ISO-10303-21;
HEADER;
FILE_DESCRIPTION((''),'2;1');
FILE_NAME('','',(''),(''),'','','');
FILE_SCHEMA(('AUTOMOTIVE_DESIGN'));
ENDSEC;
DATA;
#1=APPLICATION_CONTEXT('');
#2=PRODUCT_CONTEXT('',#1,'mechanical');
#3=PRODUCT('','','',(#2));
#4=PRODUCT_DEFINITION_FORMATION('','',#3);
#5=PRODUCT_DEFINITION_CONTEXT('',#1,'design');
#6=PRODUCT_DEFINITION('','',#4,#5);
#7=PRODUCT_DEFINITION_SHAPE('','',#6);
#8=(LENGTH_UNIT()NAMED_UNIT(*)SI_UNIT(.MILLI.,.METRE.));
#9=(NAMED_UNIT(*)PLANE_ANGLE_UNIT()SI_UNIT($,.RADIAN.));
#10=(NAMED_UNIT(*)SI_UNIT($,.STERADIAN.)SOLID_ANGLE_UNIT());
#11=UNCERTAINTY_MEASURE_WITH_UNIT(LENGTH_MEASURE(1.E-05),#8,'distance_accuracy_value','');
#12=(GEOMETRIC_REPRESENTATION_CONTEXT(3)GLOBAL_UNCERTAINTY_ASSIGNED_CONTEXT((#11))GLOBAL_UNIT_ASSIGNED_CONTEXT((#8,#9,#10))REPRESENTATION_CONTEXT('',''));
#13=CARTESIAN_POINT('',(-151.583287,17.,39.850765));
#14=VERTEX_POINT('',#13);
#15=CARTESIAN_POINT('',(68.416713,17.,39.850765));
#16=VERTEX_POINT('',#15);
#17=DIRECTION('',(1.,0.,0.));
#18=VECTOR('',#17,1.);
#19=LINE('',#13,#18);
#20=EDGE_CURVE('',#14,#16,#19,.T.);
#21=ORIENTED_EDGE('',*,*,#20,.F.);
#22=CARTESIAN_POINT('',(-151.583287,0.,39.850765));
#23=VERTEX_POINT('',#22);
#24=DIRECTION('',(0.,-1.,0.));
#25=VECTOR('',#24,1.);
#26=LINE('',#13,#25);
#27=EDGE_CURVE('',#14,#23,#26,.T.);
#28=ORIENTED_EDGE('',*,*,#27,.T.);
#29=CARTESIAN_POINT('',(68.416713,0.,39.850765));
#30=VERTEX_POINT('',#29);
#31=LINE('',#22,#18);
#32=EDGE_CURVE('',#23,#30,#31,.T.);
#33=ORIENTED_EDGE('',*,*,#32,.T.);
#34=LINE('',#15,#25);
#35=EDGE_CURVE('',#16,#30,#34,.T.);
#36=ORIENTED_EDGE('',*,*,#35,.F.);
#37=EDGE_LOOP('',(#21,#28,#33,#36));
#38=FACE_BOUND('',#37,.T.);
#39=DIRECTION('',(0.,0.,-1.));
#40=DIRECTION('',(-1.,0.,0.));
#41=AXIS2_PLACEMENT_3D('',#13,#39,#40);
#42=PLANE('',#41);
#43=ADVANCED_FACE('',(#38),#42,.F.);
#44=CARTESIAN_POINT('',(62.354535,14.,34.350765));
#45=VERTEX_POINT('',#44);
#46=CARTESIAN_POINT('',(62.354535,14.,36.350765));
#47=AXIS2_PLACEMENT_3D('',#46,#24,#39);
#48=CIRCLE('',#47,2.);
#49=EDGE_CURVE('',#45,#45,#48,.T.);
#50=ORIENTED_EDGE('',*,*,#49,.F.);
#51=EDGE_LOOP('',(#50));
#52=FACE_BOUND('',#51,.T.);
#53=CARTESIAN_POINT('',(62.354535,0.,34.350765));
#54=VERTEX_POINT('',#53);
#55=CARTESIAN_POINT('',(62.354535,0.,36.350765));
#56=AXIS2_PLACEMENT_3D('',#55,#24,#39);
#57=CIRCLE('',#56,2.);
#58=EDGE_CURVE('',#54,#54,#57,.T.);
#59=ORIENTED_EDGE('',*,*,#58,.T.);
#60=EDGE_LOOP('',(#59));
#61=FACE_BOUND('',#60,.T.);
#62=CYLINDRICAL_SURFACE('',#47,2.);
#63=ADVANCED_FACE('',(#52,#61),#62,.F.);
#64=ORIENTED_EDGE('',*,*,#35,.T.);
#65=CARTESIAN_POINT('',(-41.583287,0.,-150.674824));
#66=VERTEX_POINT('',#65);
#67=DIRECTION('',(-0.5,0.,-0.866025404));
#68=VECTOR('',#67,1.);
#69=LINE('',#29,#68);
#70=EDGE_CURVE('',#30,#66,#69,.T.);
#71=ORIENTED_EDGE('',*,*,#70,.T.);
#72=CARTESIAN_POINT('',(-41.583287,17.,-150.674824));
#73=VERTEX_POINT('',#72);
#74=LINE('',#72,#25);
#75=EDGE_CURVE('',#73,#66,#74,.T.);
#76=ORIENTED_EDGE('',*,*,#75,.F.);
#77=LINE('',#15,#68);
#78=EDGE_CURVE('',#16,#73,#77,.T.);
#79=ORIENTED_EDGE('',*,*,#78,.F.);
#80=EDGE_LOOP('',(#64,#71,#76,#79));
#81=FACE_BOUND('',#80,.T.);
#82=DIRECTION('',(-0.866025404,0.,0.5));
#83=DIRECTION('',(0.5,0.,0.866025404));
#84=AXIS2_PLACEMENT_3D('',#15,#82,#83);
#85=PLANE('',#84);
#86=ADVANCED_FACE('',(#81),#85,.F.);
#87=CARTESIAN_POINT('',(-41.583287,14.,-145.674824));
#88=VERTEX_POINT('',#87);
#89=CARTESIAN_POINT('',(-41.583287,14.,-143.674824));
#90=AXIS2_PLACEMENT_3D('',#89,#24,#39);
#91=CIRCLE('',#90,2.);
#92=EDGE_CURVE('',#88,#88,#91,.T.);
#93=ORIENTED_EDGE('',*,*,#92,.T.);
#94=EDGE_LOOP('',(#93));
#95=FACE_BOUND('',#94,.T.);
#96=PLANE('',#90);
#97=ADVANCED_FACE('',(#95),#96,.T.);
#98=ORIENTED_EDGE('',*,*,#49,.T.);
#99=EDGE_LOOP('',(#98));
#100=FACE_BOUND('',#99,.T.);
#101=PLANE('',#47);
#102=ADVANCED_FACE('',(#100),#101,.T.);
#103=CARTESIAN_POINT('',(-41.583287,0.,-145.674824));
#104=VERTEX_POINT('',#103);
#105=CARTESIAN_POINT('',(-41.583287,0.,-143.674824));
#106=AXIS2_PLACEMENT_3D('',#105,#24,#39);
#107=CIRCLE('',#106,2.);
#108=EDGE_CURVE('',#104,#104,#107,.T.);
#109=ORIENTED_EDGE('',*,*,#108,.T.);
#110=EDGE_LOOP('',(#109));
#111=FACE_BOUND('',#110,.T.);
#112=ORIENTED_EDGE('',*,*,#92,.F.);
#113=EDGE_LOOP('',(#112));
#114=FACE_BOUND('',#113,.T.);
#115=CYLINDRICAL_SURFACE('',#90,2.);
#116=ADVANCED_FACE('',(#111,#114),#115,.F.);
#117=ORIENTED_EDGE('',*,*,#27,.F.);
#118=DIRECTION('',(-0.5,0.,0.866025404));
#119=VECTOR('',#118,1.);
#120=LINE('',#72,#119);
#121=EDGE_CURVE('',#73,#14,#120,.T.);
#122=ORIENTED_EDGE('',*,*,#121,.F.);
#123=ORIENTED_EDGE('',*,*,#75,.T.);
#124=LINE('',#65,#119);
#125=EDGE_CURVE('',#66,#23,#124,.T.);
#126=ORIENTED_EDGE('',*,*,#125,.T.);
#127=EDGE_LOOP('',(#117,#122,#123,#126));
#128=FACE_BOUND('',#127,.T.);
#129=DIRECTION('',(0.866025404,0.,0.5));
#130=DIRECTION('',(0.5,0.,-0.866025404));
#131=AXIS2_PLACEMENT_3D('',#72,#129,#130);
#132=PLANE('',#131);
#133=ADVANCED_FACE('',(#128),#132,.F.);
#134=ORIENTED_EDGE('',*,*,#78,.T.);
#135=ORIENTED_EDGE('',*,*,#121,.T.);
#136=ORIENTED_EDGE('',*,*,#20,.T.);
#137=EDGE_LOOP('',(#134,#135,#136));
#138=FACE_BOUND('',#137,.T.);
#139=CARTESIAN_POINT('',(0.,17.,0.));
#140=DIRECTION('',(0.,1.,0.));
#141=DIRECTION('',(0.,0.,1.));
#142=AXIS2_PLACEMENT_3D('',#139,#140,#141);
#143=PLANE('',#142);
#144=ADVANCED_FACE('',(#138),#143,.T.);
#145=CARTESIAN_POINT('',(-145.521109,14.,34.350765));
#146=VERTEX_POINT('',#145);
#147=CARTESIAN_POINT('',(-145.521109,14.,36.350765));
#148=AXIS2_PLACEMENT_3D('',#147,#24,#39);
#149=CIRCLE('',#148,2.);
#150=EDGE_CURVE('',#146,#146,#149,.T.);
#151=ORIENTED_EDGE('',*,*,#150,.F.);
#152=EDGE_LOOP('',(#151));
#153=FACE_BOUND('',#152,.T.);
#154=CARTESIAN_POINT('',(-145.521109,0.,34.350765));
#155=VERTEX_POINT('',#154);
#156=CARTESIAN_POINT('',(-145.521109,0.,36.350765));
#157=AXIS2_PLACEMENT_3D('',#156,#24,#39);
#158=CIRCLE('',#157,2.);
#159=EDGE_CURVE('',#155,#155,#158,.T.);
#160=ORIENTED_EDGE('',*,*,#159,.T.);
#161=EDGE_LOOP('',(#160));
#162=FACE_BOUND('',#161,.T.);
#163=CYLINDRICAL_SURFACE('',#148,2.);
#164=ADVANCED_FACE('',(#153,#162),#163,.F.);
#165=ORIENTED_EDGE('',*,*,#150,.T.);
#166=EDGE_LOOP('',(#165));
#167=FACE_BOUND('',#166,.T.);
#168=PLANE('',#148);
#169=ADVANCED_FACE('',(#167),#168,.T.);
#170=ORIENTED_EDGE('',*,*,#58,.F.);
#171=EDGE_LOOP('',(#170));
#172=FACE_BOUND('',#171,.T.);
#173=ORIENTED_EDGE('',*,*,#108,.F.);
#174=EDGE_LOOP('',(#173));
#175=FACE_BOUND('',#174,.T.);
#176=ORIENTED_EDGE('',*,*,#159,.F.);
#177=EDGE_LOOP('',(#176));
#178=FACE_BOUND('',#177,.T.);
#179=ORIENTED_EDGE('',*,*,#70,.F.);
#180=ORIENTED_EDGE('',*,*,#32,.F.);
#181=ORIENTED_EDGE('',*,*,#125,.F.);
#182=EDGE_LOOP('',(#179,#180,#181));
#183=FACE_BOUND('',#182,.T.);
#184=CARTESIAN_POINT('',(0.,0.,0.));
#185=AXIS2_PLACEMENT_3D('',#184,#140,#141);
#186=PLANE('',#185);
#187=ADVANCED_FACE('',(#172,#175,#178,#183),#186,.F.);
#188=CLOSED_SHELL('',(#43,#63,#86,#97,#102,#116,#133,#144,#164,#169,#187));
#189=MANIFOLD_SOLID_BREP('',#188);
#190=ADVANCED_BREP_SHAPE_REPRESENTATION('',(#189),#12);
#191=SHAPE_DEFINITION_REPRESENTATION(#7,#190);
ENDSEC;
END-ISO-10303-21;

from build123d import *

# Parameters (mm, degrees)
BOSS_EXTRUDE1_DEPTH = 17
SKETCH3_R           = 2
CUT_EXTRUDE2_DEPTH  = 14


with BuildPart() as part:
    # Sketch2 → Boss-Extrude1 (new body)
    with BuildSketch(Plane(origin=(0, 0, 0), x_dir=(1, 0, 0), z_dir=(0, 1, 0))):
        Polygon((-41.583286951, 150.67482391), (-151.583286951, -39.850764923), (68.416713049, -39.850764923), align=None)
    extrude(amount=BOSS_EXTRUDE1_DEPTH)

    # Sketch3 → Cut-Extrude2 (cut)
    with BuildSketch(Plane.XZ):
        with Locations(Location((-145.521109124, 36.350764923, 0), (0, 0, 270))):
            Circle(SKETCH3_R)
        with Locations(Location((62.354535223, 36.350764923, 0), (0, 0, 270))):
            Circle(SKETCH3_R)
        with Locations(Location((-41.583286951, -143.67482391, 0), (0, 0, 270))):
            Circle(SKETCH3_R)
    extrude(amount=-CUT_EXTRUDE2_DEPTH, mode=Mode.SUBTRACT)


solid = part.part
